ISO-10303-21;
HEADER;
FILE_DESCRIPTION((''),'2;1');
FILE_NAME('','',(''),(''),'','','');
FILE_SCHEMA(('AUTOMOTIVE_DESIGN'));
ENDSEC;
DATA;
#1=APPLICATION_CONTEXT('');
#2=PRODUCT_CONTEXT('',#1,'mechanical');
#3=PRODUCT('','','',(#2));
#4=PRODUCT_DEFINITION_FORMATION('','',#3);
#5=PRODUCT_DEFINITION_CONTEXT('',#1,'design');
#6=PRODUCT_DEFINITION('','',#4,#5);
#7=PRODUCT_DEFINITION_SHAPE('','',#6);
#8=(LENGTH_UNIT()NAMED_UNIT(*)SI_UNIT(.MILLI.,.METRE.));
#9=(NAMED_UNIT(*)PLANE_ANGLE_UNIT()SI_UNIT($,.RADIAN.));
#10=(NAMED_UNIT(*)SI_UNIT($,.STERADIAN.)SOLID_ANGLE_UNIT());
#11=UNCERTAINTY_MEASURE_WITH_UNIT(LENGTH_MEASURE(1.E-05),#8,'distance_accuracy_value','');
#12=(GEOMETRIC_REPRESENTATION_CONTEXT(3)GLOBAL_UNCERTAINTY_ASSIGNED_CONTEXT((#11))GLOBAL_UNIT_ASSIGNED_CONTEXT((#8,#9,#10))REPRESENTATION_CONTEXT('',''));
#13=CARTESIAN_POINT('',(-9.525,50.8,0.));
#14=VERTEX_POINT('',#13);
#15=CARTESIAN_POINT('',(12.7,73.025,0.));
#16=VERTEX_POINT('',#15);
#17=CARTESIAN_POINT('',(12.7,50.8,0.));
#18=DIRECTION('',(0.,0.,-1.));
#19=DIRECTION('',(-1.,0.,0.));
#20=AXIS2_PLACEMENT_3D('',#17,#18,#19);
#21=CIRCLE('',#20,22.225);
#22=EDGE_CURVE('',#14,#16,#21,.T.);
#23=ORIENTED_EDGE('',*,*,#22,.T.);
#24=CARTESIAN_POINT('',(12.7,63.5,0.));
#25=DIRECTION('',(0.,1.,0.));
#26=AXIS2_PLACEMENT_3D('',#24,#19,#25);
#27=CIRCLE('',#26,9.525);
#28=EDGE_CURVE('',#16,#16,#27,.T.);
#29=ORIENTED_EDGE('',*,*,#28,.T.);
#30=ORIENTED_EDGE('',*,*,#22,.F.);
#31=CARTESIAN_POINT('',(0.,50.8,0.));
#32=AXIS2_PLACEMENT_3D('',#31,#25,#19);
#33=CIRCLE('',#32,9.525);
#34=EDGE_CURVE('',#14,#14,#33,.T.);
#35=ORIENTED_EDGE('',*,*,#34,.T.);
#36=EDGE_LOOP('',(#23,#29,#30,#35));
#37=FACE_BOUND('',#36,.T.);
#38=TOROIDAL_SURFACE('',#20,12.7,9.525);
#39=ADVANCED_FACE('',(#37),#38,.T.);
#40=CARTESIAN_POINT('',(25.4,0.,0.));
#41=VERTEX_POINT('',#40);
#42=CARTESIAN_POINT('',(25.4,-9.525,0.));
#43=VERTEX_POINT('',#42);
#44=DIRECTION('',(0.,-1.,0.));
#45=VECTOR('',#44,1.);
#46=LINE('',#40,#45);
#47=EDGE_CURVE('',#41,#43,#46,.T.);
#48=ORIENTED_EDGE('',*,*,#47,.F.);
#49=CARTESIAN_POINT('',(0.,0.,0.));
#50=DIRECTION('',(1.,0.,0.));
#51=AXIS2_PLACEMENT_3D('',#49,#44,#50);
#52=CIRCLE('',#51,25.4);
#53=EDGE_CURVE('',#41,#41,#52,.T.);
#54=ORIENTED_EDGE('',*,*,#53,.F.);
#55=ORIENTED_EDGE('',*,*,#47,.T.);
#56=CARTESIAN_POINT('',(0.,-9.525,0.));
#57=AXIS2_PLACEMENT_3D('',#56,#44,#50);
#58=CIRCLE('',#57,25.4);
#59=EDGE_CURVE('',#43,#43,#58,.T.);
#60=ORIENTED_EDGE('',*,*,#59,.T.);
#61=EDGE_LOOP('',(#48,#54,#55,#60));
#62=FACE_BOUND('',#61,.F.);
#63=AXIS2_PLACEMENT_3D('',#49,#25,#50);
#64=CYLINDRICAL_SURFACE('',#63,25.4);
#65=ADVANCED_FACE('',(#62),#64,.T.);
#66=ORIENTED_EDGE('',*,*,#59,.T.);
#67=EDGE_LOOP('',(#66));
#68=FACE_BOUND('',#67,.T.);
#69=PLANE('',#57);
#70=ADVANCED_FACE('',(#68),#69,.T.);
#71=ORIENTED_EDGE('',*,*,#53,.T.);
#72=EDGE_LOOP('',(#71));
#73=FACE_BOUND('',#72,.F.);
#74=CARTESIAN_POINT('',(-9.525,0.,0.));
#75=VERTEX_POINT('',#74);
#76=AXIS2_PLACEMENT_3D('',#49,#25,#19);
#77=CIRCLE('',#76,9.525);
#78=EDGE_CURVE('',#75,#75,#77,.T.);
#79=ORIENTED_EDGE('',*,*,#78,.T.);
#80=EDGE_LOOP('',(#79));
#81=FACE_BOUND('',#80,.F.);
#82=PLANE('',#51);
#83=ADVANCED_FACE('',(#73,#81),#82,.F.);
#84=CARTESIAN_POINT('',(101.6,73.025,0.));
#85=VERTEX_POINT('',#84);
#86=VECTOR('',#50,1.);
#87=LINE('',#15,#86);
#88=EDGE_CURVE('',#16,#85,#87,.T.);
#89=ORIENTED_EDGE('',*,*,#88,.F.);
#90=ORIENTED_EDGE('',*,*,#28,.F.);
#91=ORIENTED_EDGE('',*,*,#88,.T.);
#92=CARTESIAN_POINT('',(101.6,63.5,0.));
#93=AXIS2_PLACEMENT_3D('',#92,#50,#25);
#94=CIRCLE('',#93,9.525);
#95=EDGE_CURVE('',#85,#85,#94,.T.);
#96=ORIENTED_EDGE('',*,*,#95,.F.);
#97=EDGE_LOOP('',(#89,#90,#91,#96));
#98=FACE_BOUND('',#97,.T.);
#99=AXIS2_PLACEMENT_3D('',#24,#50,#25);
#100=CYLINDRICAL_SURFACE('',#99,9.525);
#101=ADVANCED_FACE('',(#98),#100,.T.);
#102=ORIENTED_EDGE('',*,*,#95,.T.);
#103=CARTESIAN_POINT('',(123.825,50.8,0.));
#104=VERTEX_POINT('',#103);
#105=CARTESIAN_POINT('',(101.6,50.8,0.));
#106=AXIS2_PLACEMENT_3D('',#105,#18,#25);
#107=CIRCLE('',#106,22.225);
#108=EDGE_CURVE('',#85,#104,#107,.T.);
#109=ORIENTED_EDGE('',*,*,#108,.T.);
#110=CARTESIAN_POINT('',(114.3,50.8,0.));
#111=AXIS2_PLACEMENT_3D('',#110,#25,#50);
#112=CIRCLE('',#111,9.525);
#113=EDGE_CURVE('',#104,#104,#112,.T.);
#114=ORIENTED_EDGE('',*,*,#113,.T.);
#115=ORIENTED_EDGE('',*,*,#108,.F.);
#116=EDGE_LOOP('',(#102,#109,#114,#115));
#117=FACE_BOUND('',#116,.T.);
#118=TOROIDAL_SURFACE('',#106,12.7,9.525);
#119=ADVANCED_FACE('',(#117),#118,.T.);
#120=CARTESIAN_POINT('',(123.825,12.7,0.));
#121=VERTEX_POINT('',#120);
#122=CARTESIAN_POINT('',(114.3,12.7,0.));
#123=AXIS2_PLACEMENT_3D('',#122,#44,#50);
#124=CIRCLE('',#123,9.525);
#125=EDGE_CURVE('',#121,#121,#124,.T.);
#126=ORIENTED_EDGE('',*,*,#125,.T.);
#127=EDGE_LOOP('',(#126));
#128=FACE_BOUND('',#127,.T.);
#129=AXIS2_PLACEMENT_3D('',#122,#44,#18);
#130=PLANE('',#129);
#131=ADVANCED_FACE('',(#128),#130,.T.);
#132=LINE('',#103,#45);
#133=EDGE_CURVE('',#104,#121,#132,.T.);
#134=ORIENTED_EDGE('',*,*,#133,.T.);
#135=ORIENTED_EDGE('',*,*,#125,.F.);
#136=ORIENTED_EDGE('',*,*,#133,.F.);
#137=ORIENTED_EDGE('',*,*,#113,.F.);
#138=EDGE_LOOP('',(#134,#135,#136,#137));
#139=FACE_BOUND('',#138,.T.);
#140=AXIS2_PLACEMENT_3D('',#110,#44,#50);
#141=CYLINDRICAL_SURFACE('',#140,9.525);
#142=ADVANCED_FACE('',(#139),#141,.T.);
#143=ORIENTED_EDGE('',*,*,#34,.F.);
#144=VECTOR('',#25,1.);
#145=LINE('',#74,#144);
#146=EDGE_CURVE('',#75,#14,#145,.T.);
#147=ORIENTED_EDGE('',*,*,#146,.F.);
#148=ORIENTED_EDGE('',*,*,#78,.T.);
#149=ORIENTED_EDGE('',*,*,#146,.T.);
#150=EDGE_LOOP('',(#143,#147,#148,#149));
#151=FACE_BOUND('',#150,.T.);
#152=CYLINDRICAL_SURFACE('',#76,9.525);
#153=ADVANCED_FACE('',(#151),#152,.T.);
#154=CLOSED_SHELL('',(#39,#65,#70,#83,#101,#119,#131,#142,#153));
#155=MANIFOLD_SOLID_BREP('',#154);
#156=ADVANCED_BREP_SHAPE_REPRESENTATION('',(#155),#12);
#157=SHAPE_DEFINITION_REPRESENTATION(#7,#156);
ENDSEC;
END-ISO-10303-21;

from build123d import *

# Parameters (mm, degrees)
F0_R     = 25.4
F1_DEPTH = 9.525
F3_R     = 9.525


with BuildPart() as f1:
    # F0 (on Front) → F1 (new body)
    with BuildSketch(Plane.XZ):
        Circle(F0_R)
    extrude(amount=F1_DEPTH)

    # F4: sweep along a path in F2
    with BuildLine(Plane.XY) as f4_path:
        Line((0, 0), (0, 50.8))
        ThreePointArc((0, 50.8), (3.7197438789, 59.7802561211), (12.7, 63.5))
        Line((12.7, 63.5), (101.6, 63.5))
        ThreePointArc((101.6, 63.5), (110.5802561211, 59.7802561211), (114.3, 50.8))
        Line((114.3, 50.8), (114.3, 12.7))
    # F3 (on face) → F4 (sweep)
    with BuildSketch(Plane(origin=(0, 0, 0), x_dir=(-1, 0, 0), z_dir=(0, 1, 0))):
        Circle(F3_R)
    sweep(path=f4_path.line)


solid = f1.part
